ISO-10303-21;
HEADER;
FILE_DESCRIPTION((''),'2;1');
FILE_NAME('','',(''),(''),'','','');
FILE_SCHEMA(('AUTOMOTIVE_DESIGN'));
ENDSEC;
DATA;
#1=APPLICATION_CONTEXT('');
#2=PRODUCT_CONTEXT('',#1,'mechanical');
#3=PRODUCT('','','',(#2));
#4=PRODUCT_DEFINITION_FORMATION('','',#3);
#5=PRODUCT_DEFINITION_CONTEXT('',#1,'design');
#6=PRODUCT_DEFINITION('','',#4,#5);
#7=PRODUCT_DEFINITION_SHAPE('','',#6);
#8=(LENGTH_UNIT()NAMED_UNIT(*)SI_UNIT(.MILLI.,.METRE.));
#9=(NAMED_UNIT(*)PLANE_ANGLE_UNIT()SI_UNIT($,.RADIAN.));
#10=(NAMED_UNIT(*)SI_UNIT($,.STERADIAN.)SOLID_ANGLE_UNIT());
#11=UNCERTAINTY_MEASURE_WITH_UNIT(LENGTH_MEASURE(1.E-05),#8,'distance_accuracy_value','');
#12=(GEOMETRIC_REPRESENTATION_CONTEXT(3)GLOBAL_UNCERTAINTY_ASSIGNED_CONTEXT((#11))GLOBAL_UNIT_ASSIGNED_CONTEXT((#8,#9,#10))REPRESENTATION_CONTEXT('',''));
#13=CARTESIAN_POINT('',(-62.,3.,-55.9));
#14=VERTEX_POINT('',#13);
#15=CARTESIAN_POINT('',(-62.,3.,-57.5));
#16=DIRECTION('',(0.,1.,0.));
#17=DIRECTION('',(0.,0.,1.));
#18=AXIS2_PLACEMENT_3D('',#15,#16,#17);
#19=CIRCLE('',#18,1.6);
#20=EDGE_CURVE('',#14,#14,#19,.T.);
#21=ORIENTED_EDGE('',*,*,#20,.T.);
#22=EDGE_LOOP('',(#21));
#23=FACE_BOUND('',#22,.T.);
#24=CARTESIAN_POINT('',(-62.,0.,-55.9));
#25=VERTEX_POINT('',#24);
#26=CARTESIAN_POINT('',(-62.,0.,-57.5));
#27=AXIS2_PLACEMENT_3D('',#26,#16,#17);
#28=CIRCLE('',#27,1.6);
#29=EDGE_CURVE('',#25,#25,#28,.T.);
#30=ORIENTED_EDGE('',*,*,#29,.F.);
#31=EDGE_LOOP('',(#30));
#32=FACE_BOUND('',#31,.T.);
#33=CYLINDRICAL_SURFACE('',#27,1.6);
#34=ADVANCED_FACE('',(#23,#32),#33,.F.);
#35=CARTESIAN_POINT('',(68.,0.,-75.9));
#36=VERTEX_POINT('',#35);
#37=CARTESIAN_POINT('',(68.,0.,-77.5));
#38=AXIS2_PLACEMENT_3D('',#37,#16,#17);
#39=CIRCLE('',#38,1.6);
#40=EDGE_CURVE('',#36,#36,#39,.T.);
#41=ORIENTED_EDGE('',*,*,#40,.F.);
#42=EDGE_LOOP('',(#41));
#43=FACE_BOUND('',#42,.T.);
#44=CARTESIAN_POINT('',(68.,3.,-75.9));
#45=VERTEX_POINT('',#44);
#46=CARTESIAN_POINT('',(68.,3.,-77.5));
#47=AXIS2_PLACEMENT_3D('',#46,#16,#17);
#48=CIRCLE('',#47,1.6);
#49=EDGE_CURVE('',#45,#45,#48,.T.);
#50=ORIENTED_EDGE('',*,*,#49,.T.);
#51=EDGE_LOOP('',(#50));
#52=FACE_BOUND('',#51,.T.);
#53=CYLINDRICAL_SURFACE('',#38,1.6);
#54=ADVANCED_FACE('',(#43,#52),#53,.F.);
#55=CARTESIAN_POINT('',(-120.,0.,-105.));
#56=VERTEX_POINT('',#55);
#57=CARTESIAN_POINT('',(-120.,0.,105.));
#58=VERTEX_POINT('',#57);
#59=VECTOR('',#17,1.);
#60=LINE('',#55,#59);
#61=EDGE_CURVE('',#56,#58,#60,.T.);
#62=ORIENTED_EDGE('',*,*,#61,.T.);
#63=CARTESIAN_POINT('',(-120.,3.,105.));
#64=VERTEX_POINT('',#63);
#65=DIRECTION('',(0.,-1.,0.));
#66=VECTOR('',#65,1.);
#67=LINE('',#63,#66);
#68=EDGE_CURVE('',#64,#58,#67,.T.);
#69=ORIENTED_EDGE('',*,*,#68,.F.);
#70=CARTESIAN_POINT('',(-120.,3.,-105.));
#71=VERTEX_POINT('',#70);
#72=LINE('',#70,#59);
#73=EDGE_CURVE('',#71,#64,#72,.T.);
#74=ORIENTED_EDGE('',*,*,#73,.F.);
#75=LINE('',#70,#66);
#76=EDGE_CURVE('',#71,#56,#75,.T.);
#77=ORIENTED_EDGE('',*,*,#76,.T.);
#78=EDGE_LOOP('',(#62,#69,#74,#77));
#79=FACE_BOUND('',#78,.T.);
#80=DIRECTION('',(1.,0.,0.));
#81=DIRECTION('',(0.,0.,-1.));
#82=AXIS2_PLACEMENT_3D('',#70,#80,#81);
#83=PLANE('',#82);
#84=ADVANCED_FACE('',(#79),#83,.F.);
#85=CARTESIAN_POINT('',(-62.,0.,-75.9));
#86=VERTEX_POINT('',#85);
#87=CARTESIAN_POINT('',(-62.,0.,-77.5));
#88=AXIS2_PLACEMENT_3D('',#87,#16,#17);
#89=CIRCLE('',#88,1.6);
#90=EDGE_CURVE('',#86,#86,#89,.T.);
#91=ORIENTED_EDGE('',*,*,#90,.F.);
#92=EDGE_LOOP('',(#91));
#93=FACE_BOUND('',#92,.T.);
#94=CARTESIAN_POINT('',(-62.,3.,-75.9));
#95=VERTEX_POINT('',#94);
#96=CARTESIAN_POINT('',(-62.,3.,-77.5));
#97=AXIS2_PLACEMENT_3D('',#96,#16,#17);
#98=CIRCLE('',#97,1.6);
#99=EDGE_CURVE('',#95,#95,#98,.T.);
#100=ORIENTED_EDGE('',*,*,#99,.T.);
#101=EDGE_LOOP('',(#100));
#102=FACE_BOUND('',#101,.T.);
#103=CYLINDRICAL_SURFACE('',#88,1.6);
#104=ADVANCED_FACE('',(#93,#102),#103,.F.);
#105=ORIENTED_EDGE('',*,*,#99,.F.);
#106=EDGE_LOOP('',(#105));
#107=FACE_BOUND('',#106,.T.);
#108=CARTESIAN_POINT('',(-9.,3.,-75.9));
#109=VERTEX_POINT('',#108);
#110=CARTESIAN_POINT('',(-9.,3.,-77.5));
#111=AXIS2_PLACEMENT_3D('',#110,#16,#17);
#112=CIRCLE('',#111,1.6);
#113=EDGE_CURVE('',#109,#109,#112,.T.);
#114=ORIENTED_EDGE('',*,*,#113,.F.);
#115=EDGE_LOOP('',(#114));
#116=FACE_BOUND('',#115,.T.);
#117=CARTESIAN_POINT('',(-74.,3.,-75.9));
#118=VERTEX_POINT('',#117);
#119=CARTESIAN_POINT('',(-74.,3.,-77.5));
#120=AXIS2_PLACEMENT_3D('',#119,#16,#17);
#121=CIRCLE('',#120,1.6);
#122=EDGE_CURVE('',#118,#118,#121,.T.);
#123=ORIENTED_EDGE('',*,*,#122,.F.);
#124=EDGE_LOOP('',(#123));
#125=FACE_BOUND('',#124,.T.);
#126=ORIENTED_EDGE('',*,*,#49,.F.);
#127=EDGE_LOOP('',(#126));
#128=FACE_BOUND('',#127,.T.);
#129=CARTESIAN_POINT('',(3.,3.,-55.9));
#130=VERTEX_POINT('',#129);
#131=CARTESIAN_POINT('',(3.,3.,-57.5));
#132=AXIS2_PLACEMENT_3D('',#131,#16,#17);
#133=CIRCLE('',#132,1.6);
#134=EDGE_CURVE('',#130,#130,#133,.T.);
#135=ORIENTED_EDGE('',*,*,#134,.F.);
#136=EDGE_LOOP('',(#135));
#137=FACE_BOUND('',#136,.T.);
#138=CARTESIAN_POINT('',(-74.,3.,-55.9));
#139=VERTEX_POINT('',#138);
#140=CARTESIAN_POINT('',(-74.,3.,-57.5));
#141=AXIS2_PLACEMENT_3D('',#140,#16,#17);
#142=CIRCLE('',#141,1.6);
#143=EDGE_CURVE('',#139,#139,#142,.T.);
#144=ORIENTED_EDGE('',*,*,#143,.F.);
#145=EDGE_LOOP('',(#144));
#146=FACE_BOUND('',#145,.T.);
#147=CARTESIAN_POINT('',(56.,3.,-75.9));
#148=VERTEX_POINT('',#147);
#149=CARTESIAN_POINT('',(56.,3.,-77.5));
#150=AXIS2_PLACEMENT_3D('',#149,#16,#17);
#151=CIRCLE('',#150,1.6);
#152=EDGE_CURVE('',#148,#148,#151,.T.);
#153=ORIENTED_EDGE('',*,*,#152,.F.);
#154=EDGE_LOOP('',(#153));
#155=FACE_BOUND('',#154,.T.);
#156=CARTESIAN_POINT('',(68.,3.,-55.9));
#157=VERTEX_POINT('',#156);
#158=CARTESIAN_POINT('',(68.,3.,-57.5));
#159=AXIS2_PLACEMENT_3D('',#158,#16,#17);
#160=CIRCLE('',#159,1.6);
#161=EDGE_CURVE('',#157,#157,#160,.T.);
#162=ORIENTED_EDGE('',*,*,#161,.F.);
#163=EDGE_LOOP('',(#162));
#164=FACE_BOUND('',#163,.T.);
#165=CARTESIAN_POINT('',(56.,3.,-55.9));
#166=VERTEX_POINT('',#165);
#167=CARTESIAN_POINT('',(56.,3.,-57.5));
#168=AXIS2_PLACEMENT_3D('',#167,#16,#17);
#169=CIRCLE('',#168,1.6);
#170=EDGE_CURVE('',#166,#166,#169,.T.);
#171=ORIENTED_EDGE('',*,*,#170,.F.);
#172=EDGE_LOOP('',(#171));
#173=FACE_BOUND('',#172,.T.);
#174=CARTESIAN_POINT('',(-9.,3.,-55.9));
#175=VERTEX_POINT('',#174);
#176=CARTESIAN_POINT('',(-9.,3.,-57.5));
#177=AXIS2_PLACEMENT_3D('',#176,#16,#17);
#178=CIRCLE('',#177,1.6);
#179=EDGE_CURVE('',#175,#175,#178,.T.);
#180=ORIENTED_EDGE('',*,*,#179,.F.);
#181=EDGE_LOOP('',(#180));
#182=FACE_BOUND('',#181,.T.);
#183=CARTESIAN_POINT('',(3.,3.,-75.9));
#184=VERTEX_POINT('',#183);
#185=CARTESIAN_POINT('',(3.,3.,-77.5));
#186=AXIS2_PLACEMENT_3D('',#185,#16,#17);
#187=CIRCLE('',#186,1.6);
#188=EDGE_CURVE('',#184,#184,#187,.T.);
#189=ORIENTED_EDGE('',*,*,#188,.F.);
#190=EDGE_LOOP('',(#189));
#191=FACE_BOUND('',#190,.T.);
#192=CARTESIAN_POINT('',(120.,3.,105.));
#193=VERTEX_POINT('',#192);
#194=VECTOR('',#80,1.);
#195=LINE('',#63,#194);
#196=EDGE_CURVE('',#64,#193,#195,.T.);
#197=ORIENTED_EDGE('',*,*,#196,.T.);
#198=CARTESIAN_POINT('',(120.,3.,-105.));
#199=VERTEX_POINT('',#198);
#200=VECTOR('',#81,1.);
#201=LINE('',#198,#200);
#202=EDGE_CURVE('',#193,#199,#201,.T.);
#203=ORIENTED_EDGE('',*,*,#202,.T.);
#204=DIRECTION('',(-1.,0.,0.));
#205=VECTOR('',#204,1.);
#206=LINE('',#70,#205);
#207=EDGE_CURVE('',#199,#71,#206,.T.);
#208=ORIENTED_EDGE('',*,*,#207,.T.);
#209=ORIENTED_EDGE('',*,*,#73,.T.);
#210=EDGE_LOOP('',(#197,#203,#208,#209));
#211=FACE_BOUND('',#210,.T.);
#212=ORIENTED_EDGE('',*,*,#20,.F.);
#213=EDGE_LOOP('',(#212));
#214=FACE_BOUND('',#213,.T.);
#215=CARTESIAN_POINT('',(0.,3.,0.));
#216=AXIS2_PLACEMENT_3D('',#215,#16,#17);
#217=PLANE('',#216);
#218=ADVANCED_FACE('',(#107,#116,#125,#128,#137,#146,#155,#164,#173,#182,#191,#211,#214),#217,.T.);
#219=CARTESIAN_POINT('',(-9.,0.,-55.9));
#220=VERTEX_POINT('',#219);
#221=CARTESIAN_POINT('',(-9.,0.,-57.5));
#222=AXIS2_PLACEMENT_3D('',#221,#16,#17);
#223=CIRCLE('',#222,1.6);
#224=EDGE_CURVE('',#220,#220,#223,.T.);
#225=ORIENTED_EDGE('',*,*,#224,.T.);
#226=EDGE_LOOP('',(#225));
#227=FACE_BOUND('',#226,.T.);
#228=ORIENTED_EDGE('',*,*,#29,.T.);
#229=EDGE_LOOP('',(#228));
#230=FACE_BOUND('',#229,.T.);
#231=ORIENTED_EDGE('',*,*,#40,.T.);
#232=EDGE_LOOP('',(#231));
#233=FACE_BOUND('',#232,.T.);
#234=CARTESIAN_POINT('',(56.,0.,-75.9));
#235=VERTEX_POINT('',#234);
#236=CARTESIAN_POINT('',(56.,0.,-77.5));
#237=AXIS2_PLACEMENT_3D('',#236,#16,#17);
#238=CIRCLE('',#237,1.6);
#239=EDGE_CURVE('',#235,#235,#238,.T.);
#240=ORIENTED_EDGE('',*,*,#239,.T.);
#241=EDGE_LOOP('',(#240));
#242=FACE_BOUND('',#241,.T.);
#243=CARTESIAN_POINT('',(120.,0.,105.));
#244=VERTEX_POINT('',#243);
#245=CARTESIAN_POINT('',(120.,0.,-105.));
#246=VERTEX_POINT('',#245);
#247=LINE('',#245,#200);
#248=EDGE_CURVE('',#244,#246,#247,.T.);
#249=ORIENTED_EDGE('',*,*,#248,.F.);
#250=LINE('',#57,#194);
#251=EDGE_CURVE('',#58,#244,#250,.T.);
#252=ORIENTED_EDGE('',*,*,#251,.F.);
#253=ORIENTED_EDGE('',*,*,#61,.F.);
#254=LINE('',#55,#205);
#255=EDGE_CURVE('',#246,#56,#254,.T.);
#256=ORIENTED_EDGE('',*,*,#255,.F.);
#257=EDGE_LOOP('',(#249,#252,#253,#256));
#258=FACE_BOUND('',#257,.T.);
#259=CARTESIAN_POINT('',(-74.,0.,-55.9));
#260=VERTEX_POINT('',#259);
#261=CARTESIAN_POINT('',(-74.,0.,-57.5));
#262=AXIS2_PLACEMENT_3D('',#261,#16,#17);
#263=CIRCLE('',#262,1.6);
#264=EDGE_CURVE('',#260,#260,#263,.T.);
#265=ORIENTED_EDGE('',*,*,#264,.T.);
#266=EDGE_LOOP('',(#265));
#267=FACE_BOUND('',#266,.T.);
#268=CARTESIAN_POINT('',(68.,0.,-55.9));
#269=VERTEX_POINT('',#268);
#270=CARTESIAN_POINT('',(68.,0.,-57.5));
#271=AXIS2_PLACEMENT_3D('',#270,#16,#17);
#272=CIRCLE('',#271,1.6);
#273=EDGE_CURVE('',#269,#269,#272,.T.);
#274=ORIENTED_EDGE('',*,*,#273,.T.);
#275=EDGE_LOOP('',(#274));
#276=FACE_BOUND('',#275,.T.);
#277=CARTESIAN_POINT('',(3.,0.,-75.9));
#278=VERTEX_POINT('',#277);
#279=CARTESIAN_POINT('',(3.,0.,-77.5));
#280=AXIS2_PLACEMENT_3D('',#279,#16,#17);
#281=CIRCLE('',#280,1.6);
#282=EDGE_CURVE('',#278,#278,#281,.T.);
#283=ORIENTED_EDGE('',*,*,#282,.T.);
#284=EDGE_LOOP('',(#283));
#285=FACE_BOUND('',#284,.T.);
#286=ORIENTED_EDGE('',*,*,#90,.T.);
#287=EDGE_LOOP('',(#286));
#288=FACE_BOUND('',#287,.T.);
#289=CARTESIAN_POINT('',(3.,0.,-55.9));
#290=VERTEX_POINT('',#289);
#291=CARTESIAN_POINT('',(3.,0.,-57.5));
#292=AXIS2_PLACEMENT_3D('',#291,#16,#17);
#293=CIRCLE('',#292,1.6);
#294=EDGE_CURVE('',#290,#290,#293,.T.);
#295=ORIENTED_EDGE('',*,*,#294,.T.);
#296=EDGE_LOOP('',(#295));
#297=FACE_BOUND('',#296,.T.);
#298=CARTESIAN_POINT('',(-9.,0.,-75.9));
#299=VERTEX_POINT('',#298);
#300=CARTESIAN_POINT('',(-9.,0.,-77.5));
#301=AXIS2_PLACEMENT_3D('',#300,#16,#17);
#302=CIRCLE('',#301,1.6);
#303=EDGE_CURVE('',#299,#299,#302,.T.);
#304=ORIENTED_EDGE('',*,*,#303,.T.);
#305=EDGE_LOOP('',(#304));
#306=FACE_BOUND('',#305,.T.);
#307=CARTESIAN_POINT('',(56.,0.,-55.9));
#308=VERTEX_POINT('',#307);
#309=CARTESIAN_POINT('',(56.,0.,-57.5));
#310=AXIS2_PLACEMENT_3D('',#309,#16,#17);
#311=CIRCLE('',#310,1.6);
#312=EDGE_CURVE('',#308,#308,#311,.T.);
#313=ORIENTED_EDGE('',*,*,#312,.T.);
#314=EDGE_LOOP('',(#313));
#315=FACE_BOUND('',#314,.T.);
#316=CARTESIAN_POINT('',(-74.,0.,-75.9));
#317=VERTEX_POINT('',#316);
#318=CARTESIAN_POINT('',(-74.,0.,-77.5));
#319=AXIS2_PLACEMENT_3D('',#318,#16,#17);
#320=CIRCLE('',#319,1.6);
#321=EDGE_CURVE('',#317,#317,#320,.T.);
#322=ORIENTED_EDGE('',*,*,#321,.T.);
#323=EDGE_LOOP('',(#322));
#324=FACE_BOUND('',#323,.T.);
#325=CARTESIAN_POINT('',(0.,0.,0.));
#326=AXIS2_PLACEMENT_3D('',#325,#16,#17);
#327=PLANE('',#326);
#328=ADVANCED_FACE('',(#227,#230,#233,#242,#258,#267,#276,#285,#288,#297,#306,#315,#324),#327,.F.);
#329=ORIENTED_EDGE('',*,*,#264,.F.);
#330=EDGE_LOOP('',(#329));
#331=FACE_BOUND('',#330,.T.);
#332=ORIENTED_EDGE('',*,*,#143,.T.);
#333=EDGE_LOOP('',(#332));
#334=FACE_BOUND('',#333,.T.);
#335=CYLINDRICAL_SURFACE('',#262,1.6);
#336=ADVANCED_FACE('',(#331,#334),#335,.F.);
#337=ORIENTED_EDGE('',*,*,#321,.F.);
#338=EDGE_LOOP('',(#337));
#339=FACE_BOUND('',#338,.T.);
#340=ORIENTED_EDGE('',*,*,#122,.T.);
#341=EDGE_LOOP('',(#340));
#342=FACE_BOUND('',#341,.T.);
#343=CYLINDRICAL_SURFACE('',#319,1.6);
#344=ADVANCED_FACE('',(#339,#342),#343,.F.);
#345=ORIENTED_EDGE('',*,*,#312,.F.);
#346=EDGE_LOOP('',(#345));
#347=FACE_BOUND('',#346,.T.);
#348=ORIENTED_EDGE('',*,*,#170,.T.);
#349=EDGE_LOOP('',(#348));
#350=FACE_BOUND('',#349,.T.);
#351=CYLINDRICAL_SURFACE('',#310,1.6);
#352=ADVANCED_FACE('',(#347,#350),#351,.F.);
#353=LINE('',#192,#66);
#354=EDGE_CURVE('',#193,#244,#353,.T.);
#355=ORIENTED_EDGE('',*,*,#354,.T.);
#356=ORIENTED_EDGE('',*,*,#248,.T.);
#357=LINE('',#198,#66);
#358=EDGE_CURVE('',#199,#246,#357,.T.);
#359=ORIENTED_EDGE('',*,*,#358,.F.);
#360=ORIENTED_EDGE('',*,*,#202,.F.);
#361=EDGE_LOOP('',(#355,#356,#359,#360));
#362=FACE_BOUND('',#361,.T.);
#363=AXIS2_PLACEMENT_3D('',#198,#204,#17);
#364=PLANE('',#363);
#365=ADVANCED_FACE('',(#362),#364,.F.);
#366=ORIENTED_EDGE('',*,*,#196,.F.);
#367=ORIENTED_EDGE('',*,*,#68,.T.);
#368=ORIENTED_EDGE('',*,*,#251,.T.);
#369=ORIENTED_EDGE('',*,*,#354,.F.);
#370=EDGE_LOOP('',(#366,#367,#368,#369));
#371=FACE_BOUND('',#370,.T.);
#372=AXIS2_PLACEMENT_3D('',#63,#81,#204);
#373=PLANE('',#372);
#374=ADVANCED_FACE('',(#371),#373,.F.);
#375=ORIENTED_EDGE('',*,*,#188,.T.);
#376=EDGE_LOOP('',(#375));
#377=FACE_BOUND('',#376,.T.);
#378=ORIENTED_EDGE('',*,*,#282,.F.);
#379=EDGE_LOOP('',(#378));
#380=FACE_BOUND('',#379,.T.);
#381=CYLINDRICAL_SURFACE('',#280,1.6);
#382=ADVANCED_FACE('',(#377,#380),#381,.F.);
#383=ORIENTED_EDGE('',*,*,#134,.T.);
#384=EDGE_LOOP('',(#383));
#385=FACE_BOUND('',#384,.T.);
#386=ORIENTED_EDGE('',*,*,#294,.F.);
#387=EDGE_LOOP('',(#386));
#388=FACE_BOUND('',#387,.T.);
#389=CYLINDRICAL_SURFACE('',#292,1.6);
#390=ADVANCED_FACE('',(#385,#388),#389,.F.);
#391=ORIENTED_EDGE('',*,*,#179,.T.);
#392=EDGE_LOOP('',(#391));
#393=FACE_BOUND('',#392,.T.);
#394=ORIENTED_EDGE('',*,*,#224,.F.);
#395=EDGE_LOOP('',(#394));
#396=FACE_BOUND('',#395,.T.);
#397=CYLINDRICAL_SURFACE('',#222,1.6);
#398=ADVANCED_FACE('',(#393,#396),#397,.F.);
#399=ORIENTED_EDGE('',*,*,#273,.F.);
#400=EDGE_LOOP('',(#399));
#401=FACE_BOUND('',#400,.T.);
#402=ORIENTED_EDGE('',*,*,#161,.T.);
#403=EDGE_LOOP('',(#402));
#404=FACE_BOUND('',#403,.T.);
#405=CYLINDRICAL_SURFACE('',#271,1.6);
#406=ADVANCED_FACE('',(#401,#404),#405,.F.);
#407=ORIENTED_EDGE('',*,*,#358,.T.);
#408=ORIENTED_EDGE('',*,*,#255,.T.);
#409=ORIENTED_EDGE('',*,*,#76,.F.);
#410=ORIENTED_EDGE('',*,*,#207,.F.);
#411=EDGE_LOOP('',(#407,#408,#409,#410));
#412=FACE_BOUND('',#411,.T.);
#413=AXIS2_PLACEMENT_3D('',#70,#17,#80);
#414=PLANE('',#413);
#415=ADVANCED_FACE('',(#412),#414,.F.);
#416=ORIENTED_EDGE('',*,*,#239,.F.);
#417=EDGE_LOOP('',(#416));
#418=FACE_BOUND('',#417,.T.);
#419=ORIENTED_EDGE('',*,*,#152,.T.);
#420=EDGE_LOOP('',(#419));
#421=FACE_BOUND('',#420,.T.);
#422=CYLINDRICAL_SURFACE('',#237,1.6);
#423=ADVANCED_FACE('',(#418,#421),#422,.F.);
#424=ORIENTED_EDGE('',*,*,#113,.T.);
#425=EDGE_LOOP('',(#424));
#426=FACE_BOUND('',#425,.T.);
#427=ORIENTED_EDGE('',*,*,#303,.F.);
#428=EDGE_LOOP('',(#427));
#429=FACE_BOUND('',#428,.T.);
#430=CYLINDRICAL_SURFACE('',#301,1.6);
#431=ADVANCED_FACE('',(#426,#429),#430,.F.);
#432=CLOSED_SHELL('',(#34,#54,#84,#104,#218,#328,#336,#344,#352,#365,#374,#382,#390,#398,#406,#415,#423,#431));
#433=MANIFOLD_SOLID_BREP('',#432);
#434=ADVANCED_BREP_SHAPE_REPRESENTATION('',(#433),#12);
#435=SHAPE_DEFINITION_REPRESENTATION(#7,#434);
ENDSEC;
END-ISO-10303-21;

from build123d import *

# Parameters (mm, degrees)
SKETCH_1_W             = 240
SKETCH_1_H             = 210
EXTRUDE_1_DEPTH        = 3
SKETCH_2_R             = 1.6
CUT_EXTRUDE_1_DEPTH    = 160.48040632
PATTERN_LINEAR_1_COUNT = 3
PATTERN_LINEAR_1_PITCH = 65


with BuildPart() as part:
    # 草图1 → 凸台-拉伸1 (new body)
    with BuildSketch(Plane(origin=(0, 0, 0), x_dir=(1, 0, 0), z_dir=(0, 1, 0))):
        Rectangle(SKETCH_1_W, SKETCH_1_H)
    extrude(amount=EXTRUDE_1_DEPTH)

    # 草图2 → 切除-拉伸1 (cut, symmetric)
    with BuildSketch(Plane(origin=(0, 3, 0), x_dir=(1, 0, 0), z_dir=(0, 1, 0))):
        with Locations(Location((68, 77.5, 0), (0, 0, 270))):
            Circle(SKETCH_2_R)
        with Locations(Location((56, 77.5, 0), (0, 0, 270))):
            Circle(SKETCH_2_R)
        with Locations(Location((56, 57.5, 0), (0, 0, 270))):
            Circle(SKETCH_2_R)
        with Locations(Location((68, 57.5, 0), (0, 0, 270))):
            Circle(SKETCH_2_R)
    cut_extrude_1 = extrude(amount=CUT_EXTRUDE_1_DEPTH, both=True, mode=Mode.SUBTRACT)

    # 阵列(线性)1: 切除-拉伸1 ×3
    with Locations(*[(-i * PATTERN_LINEAR_1_PITCH, 0, 0) for i in range(1, PATTERN_LINEAR_1_COUNT)]):
        add(cut_extrude_1, mode=Mode.SUBTRACT)


solid = part.part
